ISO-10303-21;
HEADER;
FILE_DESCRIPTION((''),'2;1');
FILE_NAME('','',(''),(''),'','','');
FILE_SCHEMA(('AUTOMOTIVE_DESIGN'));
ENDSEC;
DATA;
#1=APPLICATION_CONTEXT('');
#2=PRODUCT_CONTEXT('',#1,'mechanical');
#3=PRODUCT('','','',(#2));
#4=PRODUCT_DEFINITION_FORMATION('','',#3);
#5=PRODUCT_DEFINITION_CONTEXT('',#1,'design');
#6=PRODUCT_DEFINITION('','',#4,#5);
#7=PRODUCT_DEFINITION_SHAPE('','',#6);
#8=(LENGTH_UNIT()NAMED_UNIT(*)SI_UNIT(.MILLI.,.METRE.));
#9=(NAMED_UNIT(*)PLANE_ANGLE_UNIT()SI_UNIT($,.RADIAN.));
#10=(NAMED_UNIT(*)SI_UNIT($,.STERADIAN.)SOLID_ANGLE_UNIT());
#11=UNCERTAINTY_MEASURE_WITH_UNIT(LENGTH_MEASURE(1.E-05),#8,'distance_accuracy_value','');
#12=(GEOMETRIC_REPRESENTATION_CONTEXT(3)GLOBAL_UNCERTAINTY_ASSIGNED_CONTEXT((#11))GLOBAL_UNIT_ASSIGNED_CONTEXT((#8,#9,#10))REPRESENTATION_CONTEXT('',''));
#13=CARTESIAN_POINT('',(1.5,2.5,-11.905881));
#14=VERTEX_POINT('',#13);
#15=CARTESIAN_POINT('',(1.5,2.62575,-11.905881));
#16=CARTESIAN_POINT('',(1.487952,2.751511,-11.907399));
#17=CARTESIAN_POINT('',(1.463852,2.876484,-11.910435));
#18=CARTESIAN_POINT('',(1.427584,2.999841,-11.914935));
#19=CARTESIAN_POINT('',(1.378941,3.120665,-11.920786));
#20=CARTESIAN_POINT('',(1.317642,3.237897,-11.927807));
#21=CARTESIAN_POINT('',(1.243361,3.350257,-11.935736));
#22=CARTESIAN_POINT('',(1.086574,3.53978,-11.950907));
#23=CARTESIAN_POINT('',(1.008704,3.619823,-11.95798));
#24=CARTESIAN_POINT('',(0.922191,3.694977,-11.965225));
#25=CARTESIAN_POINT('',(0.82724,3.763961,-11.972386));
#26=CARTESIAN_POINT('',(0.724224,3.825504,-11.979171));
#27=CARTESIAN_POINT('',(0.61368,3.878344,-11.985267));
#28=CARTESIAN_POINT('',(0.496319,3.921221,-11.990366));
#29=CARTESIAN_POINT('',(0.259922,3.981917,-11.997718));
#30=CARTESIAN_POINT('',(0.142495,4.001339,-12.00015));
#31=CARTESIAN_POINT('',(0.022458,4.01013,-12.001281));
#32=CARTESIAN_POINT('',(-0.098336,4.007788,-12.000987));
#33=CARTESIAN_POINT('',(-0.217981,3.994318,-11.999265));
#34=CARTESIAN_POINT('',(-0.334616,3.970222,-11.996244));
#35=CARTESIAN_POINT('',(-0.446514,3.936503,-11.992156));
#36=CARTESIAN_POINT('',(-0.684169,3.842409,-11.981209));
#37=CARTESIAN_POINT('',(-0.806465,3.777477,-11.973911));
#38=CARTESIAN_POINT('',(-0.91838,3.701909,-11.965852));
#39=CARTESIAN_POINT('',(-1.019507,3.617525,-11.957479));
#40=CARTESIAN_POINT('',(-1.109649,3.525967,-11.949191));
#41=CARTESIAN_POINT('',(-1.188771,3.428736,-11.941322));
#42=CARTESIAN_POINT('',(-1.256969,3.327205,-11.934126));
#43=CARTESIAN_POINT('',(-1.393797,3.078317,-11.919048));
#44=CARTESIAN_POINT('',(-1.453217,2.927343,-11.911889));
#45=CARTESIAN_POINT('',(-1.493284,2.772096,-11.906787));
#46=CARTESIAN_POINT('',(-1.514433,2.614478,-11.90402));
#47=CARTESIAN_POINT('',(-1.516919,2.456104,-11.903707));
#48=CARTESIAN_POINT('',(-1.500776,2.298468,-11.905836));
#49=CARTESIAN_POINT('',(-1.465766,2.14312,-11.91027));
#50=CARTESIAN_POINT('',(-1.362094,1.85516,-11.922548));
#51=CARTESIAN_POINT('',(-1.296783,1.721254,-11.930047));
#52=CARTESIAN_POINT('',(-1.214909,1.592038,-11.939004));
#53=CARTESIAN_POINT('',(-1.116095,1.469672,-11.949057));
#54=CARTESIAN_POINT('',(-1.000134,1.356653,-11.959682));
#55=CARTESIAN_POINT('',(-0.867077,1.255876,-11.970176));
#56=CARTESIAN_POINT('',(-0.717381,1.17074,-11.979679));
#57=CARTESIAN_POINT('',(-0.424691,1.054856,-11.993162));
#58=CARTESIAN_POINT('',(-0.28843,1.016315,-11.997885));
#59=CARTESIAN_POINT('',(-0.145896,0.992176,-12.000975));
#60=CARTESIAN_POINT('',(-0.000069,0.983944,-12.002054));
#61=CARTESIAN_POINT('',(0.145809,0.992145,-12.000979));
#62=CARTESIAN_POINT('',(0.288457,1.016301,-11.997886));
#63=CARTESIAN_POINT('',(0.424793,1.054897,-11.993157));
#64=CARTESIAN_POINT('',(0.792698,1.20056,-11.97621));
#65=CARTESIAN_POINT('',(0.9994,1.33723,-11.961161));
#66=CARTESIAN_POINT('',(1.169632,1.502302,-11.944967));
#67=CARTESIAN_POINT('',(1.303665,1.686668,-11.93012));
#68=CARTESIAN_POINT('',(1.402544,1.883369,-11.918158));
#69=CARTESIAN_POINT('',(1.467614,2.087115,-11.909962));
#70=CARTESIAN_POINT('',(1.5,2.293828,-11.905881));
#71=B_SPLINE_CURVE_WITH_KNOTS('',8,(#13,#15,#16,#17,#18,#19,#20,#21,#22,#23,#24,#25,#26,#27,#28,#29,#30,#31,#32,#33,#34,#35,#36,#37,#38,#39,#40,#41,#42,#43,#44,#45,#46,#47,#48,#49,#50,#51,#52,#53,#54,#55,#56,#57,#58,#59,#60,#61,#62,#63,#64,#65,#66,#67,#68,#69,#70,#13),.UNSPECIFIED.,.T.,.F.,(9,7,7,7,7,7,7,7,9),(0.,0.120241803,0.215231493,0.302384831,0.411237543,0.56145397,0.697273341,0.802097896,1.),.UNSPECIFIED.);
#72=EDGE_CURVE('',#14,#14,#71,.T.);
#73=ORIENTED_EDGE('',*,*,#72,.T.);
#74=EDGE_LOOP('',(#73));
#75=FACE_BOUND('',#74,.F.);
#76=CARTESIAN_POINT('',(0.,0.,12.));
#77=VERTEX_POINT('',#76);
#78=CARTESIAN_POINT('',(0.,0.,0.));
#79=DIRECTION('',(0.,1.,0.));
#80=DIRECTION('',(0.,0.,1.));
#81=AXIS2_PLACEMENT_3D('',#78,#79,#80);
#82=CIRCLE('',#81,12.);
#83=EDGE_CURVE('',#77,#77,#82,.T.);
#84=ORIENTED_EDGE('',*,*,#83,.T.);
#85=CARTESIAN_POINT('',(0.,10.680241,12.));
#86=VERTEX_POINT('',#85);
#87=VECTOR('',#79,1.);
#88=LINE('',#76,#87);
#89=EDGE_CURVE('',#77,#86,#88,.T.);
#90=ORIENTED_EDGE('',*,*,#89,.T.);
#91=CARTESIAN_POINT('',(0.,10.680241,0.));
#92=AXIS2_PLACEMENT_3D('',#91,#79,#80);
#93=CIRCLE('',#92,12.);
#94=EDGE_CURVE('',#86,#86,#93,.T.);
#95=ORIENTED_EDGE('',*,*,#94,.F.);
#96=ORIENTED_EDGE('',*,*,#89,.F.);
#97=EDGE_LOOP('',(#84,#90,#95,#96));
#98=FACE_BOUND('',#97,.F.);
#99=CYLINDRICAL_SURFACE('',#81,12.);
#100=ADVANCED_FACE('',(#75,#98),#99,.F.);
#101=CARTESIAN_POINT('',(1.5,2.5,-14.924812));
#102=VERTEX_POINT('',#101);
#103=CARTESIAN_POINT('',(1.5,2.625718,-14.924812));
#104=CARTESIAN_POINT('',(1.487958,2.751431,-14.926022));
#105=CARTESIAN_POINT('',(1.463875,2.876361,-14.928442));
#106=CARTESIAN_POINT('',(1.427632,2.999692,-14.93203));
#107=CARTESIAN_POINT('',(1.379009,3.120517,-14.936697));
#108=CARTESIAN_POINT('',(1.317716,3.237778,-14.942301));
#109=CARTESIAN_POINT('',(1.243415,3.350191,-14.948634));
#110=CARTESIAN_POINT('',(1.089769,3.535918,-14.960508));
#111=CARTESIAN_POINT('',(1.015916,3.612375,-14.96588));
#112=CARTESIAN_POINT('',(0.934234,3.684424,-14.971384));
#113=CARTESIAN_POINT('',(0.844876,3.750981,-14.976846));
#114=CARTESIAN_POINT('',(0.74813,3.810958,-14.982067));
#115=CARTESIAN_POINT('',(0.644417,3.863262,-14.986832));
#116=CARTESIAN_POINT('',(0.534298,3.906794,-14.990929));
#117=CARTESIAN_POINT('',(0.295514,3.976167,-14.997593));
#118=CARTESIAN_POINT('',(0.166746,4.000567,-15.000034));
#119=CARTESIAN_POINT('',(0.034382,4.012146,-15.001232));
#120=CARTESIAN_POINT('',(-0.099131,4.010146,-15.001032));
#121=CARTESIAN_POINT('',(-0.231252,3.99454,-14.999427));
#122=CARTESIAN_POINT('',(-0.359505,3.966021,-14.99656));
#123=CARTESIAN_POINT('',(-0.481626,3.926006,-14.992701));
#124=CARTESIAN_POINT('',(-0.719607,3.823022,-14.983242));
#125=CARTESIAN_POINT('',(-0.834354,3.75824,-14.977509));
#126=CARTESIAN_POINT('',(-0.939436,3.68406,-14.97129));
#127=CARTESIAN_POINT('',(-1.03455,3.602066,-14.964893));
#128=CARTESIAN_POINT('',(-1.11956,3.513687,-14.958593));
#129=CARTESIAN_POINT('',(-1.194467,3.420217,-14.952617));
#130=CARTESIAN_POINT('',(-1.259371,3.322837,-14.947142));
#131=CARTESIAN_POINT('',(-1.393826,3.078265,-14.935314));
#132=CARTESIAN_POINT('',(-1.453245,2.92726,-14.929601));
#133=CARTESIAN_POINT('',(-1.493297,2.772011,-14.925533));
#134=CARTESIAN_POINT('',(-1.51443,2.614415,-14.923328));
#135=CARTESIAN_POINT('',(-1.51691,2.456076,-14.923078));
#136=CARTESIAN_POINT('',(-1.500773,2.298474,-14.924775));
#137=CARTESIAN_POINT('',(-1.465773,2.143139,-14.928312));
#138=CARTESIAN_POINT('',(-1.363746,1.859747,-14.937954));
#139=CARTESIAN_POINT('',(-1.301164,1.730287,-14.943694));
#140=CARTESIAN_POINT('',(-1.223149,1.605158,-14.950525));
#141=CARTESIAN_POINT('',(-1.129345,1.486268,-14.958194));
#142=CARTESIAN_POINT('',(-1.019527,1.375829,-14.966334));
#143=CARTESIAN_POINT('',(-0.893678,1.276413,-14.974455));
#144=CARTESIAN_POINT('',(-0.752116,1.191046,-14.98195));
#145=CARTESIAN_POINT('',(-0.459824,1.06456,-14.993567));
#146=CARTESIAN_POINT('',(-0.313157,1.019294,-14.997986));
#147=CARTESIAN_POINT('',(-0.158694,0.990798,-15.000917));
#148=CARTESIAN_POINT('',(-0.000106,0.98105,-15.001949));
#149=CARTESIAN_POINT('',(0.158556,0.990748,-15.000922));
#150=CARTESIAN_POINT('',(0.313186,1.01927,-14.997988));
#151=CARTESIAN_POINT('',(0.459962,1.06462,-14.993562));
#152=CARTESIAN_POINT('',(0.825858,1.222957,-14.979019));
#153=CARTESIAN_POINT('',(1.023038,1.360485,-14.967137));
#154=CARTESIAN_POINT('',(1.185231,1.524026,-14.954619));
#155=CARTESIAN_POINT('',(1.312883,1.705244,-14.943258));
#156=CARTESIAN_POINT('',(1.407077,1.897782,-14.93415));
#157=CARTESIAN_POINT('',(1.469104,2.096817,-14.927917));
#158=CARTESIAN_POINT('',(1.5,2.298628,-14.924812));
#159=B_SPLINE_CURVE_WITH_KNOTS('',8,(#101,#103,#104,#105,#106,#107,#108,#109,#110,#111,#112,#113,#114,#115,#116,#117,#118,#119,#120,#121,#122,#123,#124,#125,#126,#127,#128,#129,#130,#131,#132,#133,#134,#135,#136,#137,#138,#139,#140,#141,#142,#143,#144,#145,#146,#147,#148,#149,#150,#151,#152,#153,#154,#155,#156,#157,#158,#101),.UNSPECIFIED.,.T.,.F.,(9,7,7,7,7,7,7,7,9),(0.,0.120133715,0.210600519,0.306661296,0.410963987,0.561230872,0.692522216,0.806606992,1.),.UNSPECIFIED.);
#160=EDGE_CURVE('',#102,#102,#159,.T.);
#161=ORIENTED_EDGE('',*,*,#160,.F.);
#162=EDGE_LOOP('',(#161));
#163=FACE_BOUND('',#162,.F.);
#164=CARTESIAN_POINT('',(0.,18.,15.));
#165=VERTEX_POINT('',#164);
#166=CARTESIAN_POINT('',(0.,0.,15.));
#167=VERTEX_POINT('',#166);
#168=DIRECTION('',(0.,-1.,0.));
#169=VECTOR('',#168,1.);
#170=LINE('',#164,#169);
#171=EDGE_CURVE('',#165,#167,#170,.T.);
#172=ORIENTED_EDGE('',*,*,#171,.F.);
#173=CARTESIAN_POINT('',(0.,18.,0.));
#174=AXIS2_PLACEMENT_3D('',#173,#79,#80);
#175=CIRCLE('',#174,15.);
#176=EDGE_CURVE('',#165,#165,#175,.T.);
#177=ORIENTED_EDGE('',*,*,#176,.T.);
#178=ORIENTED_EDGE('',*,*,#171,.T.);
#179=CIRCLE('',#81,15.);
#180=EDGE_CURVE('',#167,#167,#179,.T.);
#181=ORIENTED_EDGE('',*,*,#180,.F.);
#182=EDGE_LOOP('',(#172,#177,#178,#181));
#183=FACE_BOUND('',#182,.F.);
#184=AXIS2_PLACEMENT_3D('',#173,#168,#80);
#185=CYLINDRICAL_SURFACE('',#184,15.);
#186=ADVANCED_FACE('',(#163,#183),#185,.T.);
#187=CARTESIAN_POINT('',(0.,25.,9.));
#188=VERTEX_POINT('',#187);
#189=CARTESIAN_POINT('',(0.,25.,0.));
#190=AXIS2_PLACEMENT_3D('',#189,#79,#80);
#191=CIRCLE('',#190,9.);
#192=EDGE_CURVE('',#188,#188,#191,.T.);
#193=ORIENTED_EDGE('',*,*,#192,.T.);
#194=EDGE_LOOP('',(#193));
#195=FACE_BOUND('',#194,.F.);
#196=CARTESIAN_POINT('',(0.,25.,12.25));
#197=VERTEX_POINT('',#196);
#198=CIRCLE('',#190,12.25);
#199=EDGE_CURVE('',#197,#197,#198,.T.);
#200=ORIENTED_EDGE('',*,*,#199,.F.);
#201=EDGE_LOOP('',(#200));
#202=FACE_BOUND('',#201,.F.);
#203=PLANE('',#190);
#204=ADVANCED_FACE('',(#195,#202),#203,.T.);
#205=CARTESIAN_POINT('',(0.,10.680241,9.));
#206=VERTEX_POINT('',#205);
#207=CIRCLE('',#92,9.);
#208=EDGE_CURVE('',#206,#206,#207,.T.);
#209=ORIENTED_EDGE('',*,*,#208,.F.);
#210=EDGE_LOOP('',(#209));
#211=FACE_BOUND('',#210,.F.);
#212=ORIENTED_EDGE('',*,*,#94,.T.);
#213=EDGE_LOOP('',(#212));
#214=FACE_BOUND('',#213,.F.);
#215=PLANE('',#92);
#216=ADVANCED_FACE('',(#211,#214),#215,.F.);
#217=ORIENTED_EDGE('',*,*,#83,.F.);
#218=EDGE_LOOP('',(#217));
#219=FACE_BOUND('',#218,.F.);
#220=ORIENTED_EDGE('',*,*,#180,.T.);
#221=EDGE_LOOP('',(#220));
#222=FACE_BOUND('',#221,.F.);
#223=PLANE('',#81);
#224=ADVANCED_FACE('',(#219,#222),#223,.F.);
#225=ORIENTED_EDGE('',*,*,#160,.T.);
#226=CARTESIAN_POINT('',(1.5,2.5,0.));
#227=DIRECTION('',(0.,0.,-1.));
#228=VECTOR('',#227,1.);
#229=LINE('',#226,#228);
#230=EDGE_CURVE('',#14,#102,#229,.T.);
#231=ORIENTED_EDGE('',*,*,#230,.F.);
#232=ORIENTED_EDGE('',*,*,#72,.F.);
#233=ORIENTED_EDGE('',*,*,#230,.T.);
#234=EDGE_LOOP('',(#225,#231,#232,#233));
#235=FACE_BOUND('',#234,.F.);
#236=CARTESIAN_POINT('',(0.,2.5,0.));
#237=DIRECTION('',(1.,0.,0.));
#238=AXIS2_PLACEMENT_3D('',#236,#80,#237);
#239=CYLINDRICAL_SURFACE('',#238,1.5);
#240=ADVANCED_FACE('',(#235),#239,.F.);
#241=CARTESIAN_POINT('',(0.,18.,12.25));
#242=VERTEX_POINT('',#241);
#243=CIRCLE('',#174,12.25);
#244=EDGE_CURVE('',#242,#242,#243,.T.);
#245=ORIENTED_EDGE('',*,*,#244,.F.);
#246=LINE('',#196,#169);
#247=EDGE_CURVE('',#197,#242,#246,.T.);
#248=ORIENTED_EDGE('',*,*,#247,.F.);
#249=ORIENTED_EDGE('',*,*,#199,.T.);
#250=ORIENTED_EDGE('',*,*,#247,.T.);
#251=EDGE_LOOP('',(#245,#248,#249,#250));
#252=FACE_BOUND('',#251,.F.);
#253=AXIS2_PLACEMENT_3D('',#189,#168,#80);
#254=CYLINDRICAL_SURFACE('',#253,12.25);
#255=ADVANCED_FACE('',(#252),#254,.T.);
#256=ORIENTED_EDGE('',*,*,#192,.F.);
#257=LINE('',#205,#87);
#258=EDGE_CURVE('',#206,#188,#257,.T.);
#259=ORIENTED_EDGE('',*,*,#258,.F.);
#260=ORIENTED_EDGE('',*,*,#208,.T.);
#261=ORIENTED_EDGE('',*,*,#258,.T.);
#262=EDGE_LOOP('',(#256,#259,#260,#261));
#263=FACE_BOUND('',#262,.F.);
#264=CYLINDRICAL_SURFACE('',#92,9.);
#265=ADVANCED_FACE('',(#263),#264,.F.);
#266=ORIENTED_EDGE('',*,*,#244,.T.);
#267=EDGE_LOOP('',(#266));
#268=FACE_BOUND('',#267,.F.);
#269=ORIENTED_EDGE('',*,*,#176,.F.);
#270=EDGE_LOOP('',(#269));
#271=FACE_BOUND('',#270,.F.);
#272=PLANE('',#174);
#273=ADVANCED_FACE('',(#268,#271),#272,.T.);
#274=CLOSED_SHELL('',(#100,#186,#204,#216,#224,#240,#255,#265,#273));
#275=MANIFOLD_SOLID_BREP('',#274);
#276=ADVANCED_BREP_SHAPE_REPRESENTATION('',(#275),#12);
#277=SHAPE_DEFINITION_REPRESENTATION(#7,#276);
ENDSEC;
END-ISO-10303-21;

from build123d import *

# Parameters (mm, degrees)
F3_D     = 3
F3_DEPTH = 15.001


with BuildPart() as f1:
    # F0 (on Right) → F1 (revolve)
    with BuildSketch(Plane.YZ):
        Polygon((18, 15), (0, 15), (0, 12), (10.6802405789, 12), (10.6802405789, 9), (25, 9), (25, 12.25), (18, 12.25), align=None)
    revolve(axis=Axis((0, 31.0543179512, 0), (0, 1, 0)))

    # F3 (through all, one way)
    with BuildSketch(Plane.XY):
        with Locations((0, 2.5)):
            Circle(F3_D / 2)
    extrude(amount=-F3_DEPTH, mode=Mode.SUBTRACT)


solid = f1.part
